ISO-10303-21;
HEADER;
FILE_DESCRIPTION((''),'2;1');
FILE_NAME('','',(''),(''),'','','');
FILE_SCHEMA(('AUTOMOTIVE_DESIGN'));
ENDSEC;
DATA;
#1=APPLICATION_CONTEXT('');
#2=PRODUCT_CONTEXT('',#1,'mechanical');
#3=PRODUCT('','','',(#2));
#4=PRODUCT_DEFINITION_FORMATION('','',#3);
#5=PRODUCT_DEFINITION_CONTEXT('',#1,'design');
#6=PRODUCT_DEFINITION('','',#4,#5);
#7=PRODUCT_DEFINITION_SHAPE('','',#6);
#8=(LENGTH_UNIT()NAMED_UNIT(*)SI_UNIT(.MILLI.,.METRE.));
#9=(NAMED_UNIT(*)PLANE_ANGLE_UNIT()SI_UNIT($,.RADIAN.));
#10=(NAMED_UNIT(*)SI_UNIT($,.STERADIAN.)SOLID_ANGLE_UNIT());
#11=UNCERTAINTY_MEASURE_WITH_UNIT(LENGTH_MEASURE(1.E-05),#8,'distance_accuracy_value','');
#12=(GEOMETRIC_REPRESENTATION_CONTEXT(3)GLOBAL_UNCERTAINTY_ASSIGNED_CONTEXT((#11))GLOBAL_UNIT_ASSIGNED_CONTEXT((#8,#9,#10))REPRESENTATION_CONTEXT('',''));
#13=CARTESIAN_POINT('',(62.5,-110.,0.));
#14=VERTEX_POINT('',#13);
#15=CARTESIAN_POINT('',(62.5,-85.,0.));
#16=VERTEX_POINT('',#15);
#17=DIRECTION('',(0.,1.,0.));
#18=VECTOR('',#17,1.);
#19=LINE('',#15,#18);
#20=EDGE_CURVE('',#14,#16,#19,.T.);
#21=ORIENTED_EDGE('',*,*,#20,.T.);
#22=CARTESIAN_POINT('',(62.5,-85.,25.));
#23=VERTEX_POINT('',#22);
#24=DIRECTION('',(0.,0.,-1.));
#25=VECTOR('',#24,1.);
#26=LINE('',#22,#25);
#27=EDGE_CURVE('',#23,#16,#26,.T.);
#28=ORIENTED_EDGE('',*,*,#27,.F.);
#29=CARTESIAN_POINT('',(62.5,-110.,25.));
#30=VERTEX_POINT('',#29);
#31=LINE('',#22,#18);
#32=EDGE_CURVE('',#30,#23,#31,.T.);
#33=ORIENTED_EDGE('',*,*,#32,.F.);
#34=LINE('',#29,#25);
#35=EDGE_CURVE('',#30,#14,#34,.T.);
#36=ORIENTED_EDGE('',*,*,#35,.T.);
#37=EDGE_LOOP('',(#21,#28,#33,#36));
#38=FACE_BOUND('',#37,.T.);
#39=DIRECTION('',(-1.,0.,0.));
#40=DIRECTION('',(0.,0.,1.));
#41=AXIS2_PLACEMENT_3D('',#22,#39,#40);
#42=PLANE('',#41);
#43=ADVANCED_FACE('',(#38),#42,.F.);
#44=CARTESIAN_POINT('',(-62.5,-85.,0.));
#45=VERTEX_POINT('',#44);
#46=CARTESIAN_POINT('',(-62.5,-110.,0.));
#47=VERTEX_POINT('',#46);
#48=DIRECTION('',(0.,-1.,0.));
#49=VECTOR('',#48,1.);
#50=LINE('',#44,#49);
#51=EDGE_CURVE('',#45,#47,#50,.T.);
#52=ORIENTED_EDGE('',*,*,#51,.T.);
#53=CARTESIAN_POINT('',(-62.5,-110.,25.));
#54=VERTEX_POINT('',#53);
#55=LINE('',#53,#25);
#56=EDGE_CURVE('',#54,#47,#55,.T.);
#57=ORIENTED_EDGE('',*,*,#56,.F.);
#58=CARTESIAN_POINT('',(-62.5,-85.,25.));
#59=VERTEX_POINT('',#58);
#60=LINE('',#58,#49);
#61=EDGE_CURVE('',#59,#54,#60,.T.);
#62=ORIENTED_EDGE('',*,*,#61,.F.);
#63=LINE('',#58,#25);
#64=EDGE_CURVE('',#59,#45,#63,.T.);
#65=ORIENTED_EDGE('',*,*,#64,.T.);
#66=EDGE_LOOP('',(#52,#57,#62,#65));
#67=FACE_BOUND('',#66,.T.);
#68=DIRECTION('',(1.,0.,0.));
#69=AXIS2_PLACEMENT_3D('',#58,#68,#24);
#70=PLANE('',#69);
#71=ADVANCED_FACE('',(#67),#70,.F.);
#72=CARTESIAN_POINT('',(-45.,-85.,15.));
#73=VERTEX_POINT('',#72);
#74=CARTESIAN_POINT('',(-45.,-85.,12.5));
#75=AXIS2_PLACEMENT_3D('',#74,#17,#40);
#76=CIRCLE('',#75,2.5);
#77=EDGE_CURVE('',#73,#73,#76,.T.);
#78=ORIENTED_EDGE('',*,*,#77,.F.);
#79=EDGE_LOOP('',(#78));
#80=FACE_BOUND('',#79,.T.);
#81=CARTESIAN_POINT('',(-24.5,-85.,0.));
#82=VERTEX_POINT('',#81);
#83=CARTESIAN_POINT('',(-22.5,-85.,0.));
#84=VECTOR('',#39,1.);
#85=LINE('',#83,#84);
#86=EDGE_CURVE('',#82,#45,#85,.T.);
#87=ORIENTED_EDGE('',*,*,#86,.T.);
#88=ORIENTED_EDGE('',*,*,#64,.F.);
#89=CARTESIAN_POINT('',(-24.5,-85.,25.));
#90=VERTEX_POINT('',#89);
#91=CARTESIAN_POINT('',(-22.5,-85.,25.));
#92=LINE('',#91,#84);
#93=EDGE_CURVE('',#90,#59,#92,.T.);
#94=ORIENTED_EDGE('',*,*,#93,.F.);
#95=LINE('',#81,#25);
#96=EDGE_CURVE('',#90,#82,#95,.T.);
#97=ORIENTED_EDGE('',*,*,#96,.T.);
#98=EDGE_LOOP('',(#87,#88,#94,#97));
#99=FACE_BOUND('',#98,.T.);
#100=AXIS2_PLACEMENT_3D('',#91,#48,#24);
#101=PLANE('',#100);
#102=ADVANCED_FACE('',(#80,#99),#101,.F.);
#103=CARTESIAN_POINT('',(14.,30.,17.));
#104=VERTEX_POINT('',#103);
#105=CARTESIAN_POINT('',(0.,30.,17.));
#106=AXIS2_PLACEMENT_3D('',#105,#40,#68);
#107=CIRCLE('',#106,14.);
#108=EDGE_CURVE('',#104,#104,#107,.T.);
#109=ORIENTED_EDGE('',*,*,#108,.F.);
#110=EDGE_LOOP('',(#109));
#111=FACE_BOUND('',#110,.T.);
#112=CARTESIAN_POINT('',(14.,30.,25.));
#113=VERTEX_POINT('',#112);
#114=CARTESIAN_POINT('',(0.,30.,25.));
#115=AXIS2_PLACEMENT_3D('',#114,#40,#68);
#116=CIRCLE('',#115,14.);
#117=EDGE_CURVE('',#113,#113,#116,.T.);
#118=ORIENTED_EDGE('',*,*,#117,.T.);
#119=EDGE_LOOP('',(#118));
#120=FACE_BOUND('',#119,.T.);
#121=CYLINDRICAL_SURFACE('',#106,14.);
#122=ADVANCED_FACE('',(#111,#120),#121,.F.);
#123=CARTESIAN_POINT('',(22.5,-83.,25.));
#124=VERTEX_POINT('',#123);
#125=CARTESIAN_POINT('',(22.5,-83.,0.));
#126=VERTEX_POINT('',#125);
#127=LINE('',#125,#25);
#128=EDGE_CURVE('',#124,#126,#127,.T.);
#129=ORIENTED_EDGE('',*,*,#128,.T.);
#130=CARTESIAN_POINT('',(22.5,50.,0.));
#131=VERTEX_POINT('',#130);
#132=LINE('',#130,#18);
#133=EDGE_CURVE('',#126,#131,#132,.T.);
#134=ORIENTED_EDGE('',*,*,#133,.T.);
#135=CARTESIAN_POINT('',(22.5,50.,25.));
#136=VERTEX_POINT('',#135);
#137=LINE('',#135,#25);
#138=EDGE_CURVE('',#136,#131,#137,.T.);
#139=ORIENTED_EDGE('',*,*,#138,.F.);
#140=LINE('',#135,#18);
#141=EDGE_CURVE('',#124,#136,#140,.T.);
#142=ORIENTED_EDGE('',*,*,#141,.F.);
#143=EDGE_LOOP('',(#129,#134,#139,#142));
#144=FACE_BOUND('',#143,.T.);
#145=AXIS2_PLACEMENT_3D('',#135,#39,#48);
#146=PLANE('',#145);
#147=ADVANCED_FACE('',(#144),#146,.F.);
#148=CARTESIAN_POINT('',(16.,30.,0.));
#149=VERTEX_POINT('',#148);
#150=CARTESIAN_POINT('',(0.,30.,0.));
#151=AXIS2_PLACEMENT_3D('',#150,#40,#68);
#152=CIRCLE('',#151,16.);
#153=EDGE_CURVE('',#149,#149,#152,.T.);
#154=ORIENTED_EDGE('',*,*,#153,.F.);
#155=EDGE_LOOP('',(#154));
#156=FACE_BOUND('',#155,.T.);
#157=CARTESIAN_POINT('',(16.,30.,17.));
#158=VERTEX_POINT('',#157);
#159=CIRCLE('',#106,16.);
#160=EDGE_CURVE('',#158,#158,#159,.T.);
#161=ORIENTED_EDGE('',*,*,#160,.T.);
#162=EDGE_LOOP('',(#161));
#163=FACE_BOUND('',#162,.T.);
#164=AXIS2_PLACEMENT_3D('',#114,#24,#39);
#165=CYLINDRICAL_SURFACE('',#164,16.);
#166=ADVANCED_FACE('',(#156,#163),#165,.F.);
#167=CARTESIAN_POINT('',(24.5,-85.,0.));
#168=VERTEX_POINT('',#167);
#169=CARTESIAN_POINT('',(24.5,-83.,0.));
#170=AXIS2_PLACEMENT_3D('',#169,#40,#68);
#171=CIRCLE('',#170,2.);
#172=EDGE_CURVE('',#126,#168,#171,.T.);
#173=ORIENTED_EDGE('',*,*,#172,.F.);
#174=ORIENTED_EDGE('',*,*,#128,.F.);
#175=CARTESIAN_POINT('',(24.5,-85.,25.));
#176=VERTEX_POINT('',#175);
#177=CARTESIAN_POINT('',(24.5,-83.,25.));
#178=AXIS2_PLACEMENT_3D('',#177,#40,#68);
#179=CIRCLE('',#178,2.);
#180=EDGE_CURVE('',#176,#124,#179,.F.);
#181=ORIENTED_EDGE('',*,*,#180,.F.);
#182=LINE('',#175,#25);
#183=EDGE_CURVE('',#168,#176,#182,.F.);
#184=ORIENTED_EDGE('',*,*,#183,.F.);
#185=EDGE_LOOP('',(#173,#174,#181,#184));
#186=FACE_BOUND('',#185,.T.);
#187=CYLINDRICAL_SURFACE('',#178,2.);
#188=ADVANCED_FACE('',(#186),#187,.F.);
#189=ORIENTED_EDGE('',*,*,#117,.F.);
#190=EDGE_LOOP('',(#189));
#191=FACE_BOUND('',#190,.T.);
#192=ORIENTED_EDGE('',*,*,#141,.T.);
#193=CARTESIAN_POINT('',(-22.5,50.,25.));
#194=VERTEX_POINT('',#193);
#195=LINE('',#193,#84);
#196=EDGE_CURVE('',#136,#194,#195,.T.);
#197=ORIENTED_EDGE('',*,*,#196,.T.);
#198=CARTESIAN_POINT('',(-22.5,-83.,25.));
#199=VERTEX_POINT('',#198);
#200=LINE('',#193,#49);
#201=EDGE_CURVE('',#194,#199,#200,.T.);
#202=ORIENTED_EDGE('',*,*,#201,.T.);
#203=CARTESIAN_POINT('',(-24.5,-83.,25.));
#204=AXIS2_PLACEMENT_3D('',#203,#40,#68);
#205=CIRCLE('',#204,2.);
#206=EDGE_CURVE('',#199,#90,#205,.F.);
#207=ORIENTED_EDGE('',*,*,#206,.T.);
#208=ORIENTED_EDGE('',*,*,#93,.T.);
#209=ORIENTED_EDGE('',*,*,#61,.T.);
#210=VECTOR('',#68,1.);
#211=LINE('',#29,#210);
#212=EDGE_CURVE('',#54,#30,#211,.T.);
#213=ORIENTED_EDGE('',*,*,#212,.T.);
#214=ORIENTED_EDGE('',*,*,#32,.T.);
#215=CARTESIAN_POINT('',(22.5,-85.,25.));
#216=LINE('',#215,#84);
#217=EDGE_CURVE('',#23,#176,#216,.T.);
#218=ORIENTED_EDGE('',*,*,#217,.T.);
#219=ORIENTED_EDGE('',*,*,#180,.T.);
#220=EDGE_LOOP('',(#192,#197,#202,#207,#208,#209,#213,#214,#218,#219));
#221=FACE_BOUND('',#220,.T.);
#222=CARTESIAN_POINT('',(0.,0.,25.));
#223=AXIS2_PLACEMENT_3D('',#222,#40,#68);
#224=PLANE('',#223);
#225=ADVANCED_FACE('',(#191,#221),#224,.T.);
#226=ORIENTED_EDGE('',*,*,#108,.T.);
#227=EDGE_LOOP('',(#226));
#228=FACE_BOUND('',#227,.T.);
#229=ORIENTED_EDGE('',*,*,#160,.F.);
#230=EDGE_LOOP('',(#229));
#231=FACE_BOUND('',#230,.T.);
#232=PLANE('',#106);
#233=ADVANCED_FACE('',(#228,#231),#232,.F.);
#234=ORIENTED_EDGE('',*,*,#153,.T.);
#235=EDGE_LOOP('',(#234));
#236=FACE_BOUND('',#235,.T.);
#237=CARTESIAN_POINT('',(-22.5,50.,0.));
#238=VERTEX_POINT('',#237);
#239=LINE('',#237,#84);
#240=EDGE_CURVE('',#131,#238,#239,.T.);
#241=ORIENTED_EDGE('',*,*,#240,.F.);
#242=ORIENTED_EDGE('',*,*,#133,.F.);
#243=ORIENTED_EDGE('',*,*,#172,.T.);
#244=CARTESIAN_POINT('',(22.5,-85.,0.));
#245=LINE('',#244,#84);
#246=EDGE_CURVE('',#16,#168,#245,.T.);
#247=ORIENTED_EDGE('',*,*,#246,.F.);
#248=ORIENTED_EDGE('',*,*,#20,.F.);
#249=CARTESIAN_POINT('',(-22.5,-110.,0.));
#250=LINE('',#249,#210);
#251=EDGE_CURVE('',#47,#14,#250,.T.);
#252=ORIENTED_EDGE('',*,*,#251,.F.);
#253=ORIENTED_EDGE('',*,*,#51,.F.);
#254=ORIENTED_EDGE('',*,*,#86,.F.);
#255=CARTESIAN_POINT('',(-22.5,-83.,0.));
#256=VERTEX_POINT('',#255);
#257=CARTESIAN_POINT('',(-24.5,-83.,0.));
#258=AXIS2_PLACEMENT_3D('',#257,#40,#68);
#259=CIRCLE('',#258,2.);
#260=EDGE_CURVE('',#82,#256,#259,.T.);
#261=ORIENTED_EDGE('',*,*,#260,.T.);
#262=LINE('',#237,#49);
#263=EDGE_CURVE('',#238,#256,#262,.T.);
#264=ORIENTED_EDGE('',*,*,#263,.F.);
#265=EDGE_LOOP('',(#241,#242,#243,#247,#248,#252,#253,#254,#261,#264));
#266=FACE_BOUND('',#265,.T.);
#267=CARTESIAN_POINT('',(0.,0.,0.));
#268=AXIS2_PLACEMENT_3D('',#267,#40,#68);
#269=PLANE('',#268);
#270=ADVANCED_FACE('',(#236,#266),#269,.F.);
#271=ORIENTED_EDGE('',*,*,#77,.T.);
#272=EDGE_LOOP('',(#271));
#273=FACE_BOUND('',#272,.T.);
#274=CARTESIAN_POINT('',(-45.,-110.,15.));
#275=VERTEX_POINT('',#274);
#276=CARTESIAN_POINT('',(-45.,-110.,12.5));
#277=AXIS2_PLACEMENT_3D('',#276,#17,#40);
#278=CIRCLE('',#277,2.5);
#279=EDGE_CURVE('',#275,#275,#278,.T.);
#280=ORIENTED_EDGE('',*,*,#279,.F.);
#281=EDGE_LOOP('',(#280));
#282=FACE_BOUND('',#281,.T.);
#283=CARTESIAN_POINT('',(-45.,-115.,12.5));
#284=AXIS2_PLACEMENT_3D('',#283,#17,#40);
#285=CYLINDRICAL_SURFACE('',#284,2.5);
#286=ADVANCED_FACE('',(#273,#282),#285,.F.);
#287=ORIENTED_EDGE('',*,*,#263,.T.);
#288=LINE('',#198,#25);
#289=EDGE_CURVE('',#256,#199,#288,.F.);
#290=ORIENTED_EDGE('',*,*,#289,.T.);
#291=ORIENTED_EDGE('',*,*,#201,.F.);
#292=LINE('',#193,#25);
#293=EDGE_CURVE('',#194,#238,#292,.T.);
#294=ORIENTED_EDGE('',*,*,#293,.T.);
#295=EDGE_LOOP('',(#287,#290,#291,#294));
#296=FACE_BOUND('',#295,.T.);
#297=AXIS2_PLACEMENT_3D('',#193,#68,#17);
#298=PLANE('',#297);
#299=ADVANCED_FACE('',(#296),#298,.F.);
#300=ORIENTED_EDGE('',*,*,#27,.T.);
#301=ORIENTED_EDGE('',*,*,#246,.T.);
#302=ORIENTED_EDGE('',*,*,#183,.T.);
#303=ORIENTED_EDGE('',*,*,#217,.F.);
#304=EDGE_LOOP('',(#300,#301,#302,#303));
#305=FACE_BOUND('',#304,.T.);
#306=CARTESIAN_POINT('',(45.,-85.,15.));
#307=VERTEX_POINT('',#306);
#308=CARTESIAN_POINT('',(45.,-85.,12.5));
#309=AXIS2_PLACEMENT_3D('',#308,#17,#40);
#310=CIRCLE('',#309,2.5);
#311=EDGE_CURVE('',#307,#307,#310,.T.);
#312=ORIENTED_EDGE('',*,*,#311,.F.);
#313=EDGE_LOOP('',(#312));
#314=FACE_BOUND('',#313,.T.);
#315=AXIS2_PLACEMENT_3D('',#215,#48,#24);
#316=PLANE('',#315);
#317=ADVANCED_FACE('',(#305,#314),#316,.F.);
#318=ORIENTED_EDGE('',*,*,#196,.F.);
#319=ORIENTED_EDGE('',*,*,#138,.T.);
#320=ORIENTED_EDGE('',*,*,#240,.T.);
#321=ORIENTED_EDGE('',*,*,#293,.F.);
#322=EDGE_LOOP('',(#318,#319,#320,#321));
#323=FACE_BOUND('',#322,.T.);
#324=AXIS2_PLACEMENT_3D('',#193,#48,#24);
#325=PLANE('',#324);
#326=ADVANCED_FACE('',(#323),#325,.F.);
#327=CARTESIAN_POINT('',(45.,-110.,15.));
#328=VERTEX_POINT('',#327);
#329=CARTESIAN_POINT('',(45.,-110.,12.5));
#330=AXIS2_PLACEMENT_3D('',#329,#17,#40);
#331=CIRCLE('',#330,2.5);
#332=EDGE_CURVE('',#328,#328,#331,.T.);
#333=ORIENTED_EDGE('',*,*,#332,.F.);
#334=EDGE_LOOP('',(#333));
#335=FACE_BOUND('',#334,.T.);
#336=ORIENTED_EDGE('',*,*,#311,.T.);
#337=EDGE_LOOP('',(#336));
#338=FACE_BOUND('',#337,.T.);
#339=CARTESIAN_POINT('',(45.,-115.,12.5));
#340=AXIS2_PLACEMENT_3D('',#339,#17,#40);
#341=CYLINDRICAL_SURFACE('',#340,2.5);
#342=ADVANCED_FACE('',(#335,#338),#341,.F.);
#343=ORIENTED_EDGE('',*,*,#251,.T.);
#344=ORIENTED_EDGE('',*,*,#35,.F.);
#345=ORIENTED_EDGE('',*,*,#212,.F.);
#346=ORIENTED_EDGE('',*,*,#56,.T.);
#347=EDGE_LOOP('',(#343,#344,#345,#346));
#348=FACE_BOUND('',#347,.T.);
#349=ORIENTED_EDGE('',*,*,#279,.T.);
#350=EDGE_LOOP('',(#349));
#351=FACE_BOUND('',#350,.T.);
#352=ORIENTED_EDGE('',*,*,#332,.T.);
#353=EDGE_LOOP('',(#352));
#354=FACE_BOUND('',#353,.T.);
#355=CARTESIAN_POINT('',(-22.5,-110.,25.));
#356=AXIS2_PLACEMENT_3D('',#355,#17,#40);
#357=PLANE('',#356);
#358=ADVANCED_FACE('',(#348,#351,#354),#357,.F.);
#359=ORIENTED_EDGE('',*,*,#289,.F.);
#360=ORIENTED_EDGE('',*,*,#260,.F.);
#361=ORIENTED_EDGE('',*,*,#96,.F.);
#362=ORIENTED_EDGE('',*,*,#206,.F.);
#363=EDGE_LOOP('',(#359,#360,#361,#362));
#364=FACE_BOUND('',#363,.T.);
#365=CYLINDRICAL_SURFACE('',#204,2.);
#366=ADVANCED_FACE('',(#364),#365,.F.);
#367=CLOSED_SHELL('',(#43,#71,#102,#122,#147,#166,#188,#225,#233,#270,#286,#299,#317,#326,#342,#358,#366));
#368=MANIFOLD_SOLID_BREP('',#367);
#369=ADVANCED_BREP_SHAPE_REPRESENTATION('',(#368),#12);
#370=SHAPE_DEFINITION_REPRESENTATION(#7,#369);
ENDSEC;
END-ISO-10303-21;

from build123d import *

# Parameters (mm, degrees)
SKETCH_1_R          = 16
EXTRUDE_1_DEPTH     = 25
FILLET_1_R          = 2
SKETCH_3_R          = 2.5
CUT_EXTRUDE_1_DEPTH = 30
EXTRUDE_START       = -8
SKETCH_4_R          = 16
SKETCH_4_R_2        = 14
EXTRUDE_2_DEPTH     = 8


with BuildPart() as part:
    # 草图1 → 凸台-拉伸1 (new body)
    with BuildSketch(Plane.XY):
        Polygon((-22.5, 50), (22.5, 50), (22.5, -85), (62.5, -85), (62.5, -110), (22.5, -110), (-22.5, -110), (-62.5, -110), (-62.5, -85), (-22.5, -85), align=None)
        with Locations((0, 30)):
            Circle(SKETCH_1_R, mode=Mode.SUBTRACT)
    extrude(amount=EXTRUDE_1_DEPTH)

    # 圆角1
    fillet_1_edges = [part.edges().sort_by_distance(p)[0] for p in [
        (-22.5, -85, 12.5),
        (22.5, -85, 12.5),
    ]]
    fillet(fillet_1_edges, radius=FILLET_1_R)

    # 草图3 → 切除-拉伸1 (cut)
    with BuildSketch(Plane(origin=(0, -85, 0), x_dir=(1, 0, 0), z_dir=(0, 1, 0))):
        with Locations(Location((-45, -12.5, 0), (0, 0, 270))):
            Circle(SKETCH_3_R)
        with Locations(Location((45, -12.5, 0), (0, 0, 270))):
            Circle(SKETCH_3_R)
    extrude(amount=-CUT_EXTRUDE_1_DEPTH, mode=Mode.SUBTRACT)

    # 草图4 → 凸台-拉伸2 (add)
    with BuildSketch(Plane.XY.offset(25).offset(EXTRUDE_START)):
        with Locations((0, 30)):
            Circle(SKETCH_4_R)
        with Locations((0, 30)):
            Circle(SKETCH_4_R_2, mode=Mode.SUBTRACT)
    extrude(amount=EXTRUDE_2_DEPTH)


solid = part.part
